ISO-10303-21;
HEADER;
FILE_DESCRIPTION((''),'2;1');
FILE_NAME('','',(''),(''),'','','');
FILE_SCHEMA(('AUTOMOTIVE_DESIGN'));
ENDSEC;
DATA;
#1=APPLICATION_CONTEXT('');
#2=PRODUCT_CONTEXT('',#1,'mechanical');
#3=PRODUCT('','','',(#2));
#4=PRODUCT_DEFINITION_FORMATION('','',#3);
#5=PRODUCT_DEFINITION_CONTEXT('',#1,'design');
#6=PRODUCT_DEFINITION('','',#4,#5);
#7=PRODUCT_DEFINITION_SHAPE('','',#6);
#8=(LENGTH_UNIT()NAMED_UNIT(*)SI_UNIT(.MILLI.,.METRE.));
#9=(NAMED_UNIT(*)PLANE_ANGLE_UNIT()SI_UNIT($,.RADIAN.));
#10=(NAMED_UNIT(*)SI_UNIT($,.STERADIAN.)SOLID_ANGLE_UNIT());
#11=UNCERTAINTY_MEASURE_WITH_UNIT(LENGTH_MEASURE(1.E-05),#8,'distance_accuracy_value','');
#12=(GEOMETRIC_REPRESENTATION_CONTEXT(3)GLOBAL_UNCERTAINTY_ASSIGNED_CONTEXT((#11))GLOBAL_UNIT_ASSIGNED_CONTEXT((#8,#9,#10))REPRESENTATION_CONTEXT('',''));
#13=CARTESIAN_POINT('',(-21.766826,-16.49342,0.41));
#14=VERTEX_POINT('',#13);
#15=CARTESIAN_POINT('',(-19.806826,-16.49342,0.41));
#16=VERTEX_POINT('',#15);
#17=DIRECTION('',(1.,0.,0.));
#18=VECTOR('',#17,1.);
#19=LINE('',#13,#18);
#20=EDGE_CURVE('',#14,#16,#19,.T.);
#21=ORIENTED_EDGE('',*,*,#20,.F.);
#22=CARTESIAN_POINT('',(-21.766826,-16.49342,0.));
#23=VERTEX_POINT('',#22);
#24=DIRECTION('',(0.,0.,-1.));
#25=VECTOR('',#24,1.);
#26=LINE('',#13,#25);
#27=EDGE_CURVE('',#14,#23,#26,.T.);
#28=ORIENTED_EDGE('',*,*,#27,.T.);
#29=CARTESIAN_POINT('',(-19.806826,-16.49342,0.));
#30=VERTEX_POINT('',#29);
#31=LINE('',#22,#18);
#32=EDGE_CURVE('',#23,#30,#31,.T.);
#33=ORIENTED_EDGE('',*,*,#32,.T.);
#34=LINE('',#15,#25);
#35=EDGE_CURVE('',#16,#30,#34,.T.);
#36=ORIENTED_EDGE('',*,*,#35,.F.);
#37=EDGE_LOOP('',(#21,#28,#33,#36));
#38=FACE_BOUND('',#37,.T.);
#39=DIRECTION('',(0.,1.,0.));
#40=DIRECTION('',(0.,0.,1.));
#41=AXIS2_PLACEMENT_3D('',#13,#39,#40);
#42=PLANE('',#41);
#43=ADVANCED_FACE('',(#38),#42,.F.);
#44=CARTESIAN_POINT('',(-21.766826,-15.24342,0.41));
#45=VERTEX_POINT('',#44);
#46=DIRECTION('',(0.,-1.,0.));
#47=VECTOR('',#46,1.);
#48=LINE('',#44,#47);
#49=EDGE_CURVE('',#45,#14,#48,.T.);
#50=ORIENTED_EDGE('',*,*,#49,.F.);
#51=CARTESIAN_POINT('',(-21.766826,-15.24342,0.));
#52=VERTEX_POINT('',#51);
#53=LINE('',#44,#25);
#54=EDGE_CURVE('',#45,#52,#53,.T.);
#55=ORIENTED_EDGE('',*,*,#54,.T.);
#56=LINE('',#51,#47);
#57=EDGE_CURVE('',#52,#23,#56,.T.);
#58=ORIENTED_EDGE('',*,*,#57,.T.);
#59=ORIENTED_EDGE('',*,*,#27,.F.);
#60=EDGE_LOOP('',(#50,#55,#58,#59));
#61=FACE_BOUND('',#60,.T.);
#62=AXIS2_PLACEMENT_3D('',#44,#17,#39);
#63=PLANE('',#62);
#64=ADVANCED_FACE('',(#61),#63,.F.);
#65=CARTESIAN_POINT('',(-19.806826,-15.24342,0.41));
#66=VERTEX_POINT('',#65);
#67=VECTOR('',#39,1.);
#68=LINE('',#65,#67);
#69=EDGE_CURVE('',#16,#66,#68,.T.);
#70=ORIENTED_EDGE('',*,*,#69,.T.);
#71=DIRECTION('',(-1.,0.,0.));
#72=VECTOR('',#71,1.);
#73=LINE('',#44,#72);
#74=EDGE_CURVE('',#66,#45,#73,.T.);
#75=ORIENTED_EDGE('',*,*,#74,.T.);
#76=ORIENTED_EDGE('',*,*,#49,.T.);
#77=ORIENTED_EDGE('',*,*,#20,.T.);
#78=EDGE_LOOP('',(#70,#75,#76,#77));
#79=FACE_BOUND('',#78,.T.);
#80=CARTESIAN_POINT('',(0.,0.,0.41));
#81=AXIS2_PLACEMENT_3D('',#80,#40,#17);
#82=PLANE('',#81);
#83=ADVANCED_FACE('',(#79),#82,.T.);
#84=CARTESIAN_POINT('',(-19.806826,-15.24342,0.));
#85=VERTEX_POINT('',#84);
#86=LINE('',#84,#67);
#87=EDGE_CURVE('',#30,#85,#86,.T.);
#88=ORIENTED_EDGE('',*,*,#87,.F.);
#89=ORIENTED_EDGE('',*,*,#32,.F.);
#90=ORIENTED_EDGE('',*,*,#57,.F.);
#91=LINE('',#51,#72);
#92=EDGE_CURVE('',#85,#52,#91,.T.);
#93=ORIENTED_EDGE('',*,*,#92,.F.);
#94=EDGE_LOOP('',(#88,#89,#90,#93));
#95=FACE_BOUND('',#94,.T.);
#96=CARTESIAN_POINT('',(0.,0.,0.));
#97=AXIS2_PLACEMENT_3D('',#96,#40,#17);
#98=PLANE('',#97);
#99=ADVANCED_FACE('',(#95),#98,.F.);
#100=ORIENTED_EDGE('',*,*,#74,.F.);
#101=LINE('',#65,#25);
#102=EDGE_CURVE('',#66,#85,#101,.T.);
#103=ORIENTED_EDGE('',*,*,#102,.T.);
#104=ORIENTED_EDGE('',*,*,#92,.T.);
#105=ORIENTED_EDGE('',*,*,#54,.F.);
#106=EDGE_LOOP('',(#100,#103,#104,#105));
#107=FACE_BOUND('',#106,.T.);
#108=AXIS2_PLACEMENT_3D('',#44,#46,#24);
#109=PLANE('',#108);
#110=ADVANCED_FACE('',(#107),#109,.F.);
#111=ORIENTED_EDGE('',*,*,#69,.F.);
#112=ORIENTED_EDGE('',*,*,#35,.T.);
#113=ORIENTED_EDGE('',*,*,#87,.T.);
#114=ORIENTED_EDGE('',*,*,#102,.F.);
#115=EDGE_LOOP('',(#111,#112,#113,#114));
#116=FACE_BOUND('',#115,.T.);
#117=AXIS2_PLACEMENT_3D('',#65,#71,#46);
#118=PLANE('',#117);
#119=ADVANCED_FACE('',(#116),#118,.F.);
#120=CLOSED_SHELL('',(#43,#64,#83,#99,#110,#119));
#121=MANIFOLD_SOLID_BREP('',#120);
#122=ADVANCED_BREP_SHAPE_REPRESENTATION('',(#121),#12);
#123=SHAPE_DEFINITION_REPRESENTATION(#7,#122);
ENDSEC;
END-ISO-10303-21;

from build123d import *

# Parameters (mm, degrees)
ESBO_O1_W                = 1.96
ESBO_O1_H                = 1.25
RESSALTO_EXTRUS_O1_DEPTH = 0.41


with BuildPart() as part:
    # Esboço1 → Ressalto-extrusão1 (new body)
    with BuildSketch(Plane.XY):
        with Locations((-20.786825762, -15.868419521)):
            Rectangle(ESBO_O1_W, ESBO_O1_H)
    extrude(amount=RESSALTO_EXTRUS_O1_DEPTH)


solid = part.part
